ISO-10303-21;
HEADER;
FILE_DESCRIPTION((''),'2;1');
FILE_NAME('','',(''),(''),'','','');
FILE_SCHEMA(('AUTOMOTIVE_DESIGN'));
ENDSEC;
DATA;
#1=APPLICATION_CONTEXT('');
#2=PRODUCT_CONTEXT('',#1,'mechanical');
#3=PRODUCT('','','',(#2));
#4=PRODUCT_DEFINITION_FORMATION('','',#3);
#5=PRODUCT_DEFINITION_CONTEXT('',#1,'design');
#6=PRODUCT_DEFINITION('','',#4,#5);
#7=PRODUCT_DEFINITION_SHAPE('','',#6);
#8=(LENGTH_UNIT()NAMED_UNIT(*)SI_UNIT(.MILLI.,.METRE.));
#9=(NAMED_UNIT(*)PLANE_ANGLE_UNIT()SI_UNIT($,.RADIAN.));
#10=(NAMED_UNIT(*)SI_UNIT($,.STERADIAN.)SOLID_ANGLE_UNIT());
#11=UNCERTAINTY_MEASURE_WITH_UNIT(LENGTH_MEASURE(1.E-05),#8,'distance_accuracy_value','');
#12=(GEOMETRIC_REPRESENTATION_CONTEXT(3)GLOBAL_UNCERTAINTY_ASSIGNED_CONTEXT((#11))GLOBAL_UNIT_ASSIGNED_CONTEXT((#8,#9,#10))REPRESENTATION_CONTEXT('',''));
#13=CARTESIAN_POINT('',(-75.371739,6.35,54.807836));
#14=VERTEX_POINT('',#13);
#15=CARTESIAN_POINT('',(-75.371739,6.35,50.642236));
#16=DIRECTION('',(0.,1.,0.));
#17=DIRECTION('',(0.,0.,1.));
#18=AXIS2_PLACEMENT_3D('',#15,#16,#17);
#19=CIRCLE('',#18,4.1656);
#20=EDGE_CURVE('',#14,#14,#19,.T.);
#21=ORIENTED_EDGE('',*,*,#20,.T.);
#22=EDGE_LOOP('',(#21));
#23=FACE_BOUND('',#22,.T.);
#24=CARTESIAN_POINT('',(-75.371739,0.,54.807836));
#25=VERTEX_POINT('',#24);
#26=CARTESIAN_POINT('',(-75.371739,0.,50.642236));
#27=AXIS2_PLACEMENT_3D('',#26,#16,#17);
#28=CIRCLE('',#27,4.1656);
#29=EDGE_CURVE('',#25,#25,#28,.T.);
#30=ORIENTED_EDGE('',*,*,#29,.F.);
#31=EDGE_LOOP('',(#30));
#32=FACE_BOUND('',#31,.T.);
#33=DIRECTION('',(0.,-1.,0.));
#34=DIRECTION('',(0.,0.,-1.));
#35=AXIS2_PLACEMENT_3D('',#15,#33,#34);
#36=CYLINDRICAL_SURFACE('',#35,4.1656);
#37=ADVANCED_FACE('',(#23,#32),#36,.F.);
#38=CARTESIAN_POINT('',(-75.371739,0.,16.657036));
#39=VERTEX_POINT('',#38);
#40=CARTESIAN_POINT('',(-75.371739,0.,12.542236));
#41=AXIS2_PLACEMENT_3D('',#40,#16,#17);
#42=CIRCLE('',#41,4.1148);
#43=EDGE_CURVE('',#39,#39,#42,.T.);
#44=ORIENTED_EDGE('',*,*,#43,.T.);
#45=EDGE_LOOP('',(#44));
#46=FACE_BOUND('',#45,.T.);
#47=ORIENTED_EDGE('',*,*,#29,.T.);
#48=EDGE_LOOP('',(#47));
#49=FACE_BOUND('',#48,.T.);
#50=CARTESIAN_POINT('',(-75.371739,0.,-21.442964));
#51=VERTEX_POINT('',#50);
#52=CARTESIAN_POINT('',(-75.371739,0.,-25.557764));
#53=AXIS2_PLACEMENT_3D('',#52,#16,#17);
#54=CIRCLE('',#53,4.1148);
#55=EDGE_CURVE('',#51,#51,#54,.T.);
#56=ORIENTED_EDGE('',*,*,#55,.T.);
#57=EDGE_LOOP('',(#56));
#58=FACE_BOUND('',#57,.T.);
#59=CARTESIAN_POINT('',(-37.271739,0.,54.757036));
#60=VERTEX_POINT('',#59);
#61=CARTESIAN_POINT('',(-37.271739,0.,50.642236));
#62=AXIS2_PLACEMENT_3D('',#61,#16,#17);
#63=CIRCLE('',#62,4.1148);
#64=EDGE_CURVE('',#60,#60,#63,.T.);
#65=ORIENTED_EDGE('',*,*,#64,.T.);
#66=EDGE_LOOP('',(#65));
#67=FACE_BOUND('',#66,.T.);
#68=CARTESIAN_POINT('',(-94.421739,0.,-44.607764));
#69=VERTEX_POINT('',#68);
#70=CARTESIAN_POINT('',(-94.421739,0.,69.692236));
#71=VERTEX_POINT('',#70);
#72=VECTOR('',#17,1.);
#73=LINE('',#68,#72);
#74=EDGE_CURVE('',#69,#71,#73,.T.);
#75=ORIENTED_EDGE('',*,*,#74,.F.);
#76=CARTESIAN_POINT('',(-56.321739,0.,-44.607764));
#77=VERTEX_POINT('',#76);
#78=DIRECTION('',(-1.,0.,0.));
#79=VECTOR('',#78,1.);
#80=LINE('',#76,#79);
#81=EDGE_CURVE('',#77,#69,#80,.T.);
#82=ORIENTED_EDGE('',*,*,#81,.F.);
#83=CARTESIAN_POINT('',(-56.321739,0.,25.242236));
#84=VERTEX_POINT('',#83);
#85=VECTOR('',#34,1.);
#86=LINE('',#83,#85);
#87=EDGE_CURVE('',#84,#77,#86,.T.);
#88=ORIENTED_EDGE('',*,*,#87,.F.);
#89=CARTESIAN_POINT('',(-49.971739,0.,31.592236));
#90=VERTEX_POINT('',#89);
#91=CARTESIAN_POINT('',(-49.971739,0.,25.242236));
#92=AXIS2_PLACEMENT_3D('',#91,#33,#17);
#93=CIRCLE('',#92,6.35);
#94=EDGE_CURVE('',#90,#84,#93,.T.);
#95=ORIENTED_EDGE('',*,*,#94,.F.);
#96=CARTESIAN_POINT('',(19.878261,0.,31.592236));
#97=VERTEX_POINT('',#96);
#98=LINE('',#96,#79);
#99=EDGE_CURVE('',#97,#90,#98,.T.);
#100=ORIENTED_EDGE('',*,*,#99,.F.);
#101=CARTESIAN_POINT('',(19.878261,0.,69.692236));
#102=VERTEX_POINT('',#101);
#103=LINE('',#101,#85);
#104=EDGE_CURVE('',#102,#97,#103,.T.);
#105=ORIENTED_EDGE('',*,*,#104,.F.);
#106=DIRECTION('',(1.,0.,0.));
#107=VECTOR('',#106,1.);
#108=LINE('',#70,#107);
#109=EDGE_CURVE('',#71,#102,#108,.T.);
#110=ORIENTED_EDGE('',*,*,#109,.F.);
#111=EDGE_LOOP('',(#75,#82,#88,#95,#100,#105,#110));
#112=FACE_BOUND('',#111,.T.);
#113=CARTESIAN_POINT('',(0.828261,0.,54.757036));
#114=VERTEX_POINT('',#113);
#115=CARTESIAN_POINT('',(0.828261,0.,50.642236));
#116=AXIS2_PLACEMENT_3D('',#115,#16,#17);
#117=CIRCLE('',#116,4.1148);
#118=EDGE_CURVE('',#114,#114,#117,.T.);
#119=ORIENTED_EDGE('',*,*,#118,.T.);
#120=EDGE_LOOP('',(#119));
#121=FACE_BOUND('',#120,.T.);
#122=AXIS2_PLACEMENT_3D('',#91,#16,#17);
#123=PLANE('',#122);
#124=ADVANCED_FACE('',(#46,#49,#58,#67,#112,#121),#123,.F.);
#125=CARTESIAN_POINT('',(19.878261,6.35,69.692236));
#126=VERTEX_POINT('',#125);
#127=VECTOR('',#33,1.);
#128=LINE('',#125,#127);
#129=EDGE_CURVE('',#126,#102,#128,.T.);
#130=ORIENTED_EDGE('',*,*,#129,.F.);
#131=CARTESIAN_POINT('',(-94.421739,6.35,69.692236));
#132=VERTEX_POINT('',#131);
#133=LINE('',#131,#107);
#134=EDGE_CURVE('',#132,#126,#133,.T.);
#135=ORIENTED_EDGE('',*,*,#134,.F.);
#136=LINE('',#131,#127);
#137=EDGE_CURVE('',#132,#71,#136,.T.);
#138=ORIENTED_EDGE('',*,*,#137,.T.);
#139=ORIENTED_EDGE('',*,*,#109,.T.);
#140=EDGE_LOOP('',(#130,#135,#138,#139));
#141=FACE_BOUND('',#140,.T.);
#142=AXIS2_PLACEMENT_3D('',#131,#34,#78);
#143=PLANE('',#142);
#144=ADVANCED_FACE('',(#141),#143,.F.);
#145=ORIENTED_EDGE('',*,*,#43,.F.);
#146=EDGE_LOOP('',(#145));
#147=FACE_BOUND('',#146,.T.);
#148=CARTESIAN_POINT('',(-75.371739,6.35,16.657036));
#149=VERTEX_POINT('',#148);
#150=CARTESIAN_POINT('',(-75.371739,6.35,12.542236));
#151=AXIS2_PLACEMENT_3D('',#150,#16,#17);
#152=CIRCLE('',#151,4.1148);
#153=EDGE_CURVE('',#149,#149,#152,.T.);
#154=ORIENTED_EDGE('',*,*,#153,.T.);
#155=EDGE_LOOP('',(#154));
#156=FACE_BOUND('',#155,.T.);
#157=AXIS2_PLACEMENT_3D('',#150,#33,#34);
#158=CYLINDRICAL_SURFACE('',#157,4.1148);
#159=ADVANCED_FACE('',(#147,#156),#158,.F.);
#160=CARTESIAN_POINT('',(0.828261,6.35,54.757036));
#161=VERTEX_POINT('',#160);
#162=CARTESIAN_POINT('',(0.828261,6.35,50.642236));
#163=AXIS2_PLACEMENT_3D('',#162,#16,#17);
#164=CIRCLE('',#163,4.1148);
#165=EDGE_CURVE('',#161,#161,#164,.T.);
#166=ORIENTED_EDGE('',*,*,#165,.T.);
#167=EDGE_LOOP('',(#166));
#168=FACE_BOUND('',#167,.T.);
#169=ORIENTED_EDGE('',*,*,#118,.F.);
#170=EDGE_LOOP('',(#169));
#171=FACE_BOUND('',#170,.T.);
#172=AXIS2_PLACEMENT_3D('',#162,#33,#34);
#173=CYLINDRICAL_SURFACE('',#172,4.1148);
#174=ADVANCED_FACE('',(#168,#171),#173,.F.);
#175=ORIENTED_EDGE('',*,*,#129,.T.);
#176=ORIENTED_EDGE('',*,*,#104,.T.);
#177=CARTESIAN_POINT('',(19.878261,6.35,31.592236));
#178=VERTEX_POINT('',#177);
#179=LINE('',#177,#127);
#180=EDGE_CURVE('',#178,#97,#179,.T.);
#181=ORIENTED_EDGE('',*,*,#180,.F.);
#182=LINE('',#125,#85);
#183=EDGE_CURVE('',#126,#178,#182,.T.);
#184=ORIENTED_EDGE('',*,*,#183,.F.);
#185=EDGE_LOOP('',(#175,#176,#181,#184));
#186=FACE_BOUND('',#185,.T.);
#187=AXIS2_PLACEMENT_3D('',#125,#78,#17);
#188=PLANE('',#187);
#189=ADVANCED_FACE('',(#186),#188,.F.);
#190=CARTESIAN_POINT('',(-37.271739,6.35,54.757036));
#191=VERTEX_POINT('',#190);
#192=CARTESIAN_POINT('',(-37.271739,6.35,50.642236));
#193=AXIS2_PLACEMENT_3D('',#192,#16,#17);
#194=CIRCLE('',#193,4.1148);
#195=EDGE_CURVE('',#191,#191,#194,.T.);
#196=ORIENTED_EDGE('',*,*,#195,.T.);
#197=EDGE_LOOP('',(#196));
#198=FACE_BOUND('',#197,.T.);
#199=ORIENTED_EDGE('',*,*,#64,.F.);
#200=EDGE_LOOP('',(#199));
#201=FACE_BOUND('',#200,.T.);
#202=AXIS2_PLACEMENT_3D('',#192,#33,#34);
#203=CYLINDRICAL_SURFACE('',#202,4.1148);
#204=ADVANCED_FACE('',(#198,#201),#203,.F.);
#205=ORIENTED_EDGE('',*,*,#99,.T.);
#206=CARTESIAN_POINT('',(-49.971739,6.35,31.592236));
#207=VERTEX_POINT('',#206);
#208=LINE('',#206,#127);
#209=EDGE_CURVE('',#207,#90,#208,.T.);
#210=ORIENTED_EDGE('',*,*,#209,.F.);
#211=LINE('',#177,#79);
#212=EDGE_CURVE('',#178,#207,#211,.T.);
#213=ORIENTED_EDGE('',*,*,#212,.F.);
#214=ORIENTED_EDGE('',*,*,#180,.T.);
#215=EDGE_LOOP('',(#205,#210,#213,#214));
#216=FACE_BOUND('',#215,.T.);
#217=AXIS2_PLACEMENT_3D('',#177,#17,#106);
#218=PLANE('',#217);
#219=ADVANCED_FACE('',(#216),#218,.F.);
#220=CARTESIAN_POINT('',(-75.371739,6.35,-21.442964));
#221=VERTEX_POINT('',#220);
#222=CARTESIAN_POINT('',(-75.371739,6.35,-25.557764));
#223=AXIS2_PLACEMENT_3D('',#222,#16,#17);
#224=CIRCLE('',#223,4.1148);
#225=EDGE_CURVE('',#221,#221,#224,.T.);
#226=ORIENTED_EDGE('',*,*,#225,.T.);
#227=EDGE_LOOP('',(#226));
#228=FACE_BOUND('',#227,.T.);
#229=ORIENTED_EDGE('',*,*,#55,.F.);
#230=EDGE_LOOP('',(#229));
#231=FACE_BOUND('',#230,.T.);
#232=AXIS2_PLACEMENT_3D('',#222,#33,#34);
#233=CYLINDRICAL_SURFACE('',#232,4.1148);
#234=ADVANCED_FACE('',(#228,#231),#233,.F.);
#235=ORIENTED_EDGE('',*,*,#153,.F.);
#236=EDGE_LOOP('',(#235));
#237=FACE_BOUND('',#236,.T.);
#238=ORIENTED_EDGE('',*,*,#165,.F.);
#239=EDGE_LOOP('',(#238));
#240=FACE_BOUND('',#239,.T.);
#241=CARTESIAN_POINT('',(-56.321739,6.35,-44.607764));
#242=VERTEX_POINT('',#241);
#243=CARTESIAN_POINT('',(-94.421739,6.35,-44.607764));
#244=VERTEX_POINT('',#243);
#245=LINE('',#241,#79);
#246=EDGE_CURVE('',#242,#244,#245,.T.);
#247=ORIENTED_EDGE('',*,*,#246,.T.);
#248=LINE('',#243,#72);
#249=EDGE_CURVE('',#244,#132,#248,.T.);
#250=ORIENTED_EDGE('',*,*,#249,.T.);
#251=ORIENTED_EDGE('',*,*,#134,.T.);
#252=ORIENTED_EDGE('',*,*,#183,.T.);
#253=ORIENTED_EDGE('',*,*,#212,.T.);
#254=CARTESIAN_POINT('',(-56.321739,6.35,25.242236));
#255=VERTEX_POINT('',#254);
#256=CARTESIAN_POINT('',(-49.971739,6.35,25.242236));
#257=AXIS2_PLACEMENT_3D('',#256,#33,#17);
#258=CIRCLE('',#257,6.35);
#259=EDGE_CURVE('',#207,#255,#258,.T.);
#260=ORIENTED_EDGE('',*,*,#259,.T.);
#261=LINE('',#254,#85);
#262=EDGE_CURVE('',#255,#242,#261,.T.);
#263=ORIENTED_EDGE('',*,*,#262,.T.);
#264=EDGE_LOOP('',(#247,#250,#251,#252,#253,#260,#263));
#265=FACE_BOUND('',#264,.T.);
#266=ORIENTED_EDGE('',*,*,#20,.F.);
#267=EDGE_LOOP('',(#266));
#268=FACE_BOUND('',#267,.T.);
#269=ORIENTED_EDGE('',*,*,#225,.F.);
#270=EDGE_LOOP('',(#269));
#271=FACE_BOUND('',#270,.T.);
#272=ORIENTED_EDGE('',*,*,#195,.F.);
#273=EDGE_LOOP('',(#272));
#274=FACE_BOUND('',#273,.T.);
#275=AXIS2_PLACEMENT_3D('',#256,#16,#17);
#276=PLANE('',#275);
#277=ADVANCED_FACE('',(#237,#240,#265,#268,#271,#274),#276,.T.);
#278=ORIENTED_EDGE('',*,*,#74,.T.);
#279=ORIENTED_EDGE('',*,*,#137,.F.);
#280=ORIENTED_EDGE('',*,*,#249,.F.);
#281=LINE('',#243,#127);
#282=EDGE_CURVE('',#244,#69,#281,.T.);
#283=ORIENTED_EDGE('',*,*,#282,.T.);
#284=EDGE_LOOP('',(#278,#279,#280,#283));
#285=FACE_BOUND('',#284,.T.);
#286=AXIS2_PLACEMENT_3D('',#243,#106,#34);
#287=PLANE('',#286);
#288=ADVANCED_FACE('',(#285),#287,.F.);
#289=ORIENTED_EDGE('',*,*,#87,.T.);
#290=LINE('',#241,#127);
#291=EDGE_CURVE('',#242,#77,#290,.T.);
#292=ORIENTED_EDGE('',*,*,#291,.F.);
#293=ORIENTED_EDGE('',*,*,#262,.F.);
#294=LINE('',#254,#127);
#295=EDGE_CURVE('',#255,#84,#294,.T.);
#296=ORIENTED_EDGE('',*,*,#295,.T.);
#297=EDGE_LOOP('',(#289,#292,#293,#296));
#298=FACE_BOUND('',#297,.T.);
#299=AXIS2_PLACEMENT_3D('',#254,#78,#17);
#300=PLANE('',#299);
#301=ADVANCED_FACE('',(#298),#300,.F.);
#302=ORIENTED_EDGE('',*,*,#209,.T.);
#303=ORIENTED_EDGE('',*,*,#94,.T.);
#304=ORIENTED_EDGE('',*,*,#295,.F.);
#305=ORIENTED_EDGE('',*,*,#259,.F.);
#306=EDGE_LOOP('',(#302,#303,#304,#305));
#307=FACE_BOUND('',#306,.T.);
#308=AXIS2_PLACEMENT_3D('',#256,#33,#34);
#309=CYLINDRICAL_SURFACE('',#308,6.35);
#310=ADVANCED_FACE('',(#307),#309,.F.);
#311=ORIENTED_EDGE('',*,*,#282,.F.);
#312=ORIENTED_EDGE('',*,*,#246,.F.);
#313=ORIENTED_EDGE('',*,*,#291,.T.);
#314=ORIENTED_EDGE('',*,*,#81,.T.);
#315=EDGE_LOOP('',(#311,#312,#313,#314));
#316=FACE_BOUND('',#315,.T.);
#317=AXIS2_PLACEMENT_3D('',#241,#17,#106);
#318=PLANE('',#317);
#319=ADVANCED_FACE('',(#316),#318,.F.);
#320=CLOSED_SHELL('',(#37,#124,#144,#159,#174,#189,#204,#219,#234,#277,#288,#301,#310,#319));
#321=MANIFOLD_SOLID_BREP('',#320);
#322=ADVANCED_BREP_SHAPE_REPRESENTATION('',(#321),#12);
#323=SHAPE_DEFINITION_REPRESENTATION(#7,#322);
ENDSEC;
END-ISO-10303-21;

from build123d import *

# Parameters (mm, degrees)
SKETCH1_R           = 4.1656
SKETCH1_R_2         = 4.1148
BOSS_EXTRUDE1_DEPTH = 6.35


with BuildPart() as part:
    # Sketch1 → Boss-Extrude1 (new body)
    with BuildSketch(Plane(origin=(0, 0, 0), x_dir=(1, 0, 0), z_dir=(0, 1, 0))):
        with BuildLine():
            Line((-94.42173913, 44.607763975), (-94.42173913, -69.692236025))
            Line((-94.42173913, -69.692236025), (19.87826087, -69.692236025))
            Line((19.87826087, -69.692236025), (19.87826087, -31.592236025))
            Line((19.87826087, -31.592236025), (-49.97173913, -31.592236025))
            ThreePointArc((-49.97173913, -31.592236025), (-54.461867191, -29.732364085), (-56.32173913, -25.242236025))
            Line((-56.32173913, -25.242236025), (-56.32173913, 44.607763975))
            Line((-56.32173913, 44.607763975), (-94.42173913, 44.607763975))
        make_face()
        with Locations(Location((-75.37173913, -50.642236025, 0), (0, 0, 270))):
            Circle(SKETCH1_R, mode=Mode.SUBTRACT)
        with Locations(Location((0.82826087, -50.642236025, 0), (0, 0, 270))):
            Circle(SKETCH1_R_2, mode=Mode.SUBTRACT)
        with Locations(Location((-37.27173913, -50.642236025, 0), (0, 0, 270))):
            Circle(SKETCH1_R_2, mode=Mode.SUBTRACT)
        with Locations(Location((-75.37173913, 25.557763975, 0), (0, 0, 270))):
            Circle(SKETCH1_R_2, mode=Mode.SUBTRACT)
        with Locations(Location((-75.37173913, -12.542236025, 0), (0, 0, 270))):
            Circle(SKETCH1_R_2, mode=Mode.SUBTRACT)
    extrude(amount=BOSS_EXTRUDE1_DEPTH)


solid = part.part
